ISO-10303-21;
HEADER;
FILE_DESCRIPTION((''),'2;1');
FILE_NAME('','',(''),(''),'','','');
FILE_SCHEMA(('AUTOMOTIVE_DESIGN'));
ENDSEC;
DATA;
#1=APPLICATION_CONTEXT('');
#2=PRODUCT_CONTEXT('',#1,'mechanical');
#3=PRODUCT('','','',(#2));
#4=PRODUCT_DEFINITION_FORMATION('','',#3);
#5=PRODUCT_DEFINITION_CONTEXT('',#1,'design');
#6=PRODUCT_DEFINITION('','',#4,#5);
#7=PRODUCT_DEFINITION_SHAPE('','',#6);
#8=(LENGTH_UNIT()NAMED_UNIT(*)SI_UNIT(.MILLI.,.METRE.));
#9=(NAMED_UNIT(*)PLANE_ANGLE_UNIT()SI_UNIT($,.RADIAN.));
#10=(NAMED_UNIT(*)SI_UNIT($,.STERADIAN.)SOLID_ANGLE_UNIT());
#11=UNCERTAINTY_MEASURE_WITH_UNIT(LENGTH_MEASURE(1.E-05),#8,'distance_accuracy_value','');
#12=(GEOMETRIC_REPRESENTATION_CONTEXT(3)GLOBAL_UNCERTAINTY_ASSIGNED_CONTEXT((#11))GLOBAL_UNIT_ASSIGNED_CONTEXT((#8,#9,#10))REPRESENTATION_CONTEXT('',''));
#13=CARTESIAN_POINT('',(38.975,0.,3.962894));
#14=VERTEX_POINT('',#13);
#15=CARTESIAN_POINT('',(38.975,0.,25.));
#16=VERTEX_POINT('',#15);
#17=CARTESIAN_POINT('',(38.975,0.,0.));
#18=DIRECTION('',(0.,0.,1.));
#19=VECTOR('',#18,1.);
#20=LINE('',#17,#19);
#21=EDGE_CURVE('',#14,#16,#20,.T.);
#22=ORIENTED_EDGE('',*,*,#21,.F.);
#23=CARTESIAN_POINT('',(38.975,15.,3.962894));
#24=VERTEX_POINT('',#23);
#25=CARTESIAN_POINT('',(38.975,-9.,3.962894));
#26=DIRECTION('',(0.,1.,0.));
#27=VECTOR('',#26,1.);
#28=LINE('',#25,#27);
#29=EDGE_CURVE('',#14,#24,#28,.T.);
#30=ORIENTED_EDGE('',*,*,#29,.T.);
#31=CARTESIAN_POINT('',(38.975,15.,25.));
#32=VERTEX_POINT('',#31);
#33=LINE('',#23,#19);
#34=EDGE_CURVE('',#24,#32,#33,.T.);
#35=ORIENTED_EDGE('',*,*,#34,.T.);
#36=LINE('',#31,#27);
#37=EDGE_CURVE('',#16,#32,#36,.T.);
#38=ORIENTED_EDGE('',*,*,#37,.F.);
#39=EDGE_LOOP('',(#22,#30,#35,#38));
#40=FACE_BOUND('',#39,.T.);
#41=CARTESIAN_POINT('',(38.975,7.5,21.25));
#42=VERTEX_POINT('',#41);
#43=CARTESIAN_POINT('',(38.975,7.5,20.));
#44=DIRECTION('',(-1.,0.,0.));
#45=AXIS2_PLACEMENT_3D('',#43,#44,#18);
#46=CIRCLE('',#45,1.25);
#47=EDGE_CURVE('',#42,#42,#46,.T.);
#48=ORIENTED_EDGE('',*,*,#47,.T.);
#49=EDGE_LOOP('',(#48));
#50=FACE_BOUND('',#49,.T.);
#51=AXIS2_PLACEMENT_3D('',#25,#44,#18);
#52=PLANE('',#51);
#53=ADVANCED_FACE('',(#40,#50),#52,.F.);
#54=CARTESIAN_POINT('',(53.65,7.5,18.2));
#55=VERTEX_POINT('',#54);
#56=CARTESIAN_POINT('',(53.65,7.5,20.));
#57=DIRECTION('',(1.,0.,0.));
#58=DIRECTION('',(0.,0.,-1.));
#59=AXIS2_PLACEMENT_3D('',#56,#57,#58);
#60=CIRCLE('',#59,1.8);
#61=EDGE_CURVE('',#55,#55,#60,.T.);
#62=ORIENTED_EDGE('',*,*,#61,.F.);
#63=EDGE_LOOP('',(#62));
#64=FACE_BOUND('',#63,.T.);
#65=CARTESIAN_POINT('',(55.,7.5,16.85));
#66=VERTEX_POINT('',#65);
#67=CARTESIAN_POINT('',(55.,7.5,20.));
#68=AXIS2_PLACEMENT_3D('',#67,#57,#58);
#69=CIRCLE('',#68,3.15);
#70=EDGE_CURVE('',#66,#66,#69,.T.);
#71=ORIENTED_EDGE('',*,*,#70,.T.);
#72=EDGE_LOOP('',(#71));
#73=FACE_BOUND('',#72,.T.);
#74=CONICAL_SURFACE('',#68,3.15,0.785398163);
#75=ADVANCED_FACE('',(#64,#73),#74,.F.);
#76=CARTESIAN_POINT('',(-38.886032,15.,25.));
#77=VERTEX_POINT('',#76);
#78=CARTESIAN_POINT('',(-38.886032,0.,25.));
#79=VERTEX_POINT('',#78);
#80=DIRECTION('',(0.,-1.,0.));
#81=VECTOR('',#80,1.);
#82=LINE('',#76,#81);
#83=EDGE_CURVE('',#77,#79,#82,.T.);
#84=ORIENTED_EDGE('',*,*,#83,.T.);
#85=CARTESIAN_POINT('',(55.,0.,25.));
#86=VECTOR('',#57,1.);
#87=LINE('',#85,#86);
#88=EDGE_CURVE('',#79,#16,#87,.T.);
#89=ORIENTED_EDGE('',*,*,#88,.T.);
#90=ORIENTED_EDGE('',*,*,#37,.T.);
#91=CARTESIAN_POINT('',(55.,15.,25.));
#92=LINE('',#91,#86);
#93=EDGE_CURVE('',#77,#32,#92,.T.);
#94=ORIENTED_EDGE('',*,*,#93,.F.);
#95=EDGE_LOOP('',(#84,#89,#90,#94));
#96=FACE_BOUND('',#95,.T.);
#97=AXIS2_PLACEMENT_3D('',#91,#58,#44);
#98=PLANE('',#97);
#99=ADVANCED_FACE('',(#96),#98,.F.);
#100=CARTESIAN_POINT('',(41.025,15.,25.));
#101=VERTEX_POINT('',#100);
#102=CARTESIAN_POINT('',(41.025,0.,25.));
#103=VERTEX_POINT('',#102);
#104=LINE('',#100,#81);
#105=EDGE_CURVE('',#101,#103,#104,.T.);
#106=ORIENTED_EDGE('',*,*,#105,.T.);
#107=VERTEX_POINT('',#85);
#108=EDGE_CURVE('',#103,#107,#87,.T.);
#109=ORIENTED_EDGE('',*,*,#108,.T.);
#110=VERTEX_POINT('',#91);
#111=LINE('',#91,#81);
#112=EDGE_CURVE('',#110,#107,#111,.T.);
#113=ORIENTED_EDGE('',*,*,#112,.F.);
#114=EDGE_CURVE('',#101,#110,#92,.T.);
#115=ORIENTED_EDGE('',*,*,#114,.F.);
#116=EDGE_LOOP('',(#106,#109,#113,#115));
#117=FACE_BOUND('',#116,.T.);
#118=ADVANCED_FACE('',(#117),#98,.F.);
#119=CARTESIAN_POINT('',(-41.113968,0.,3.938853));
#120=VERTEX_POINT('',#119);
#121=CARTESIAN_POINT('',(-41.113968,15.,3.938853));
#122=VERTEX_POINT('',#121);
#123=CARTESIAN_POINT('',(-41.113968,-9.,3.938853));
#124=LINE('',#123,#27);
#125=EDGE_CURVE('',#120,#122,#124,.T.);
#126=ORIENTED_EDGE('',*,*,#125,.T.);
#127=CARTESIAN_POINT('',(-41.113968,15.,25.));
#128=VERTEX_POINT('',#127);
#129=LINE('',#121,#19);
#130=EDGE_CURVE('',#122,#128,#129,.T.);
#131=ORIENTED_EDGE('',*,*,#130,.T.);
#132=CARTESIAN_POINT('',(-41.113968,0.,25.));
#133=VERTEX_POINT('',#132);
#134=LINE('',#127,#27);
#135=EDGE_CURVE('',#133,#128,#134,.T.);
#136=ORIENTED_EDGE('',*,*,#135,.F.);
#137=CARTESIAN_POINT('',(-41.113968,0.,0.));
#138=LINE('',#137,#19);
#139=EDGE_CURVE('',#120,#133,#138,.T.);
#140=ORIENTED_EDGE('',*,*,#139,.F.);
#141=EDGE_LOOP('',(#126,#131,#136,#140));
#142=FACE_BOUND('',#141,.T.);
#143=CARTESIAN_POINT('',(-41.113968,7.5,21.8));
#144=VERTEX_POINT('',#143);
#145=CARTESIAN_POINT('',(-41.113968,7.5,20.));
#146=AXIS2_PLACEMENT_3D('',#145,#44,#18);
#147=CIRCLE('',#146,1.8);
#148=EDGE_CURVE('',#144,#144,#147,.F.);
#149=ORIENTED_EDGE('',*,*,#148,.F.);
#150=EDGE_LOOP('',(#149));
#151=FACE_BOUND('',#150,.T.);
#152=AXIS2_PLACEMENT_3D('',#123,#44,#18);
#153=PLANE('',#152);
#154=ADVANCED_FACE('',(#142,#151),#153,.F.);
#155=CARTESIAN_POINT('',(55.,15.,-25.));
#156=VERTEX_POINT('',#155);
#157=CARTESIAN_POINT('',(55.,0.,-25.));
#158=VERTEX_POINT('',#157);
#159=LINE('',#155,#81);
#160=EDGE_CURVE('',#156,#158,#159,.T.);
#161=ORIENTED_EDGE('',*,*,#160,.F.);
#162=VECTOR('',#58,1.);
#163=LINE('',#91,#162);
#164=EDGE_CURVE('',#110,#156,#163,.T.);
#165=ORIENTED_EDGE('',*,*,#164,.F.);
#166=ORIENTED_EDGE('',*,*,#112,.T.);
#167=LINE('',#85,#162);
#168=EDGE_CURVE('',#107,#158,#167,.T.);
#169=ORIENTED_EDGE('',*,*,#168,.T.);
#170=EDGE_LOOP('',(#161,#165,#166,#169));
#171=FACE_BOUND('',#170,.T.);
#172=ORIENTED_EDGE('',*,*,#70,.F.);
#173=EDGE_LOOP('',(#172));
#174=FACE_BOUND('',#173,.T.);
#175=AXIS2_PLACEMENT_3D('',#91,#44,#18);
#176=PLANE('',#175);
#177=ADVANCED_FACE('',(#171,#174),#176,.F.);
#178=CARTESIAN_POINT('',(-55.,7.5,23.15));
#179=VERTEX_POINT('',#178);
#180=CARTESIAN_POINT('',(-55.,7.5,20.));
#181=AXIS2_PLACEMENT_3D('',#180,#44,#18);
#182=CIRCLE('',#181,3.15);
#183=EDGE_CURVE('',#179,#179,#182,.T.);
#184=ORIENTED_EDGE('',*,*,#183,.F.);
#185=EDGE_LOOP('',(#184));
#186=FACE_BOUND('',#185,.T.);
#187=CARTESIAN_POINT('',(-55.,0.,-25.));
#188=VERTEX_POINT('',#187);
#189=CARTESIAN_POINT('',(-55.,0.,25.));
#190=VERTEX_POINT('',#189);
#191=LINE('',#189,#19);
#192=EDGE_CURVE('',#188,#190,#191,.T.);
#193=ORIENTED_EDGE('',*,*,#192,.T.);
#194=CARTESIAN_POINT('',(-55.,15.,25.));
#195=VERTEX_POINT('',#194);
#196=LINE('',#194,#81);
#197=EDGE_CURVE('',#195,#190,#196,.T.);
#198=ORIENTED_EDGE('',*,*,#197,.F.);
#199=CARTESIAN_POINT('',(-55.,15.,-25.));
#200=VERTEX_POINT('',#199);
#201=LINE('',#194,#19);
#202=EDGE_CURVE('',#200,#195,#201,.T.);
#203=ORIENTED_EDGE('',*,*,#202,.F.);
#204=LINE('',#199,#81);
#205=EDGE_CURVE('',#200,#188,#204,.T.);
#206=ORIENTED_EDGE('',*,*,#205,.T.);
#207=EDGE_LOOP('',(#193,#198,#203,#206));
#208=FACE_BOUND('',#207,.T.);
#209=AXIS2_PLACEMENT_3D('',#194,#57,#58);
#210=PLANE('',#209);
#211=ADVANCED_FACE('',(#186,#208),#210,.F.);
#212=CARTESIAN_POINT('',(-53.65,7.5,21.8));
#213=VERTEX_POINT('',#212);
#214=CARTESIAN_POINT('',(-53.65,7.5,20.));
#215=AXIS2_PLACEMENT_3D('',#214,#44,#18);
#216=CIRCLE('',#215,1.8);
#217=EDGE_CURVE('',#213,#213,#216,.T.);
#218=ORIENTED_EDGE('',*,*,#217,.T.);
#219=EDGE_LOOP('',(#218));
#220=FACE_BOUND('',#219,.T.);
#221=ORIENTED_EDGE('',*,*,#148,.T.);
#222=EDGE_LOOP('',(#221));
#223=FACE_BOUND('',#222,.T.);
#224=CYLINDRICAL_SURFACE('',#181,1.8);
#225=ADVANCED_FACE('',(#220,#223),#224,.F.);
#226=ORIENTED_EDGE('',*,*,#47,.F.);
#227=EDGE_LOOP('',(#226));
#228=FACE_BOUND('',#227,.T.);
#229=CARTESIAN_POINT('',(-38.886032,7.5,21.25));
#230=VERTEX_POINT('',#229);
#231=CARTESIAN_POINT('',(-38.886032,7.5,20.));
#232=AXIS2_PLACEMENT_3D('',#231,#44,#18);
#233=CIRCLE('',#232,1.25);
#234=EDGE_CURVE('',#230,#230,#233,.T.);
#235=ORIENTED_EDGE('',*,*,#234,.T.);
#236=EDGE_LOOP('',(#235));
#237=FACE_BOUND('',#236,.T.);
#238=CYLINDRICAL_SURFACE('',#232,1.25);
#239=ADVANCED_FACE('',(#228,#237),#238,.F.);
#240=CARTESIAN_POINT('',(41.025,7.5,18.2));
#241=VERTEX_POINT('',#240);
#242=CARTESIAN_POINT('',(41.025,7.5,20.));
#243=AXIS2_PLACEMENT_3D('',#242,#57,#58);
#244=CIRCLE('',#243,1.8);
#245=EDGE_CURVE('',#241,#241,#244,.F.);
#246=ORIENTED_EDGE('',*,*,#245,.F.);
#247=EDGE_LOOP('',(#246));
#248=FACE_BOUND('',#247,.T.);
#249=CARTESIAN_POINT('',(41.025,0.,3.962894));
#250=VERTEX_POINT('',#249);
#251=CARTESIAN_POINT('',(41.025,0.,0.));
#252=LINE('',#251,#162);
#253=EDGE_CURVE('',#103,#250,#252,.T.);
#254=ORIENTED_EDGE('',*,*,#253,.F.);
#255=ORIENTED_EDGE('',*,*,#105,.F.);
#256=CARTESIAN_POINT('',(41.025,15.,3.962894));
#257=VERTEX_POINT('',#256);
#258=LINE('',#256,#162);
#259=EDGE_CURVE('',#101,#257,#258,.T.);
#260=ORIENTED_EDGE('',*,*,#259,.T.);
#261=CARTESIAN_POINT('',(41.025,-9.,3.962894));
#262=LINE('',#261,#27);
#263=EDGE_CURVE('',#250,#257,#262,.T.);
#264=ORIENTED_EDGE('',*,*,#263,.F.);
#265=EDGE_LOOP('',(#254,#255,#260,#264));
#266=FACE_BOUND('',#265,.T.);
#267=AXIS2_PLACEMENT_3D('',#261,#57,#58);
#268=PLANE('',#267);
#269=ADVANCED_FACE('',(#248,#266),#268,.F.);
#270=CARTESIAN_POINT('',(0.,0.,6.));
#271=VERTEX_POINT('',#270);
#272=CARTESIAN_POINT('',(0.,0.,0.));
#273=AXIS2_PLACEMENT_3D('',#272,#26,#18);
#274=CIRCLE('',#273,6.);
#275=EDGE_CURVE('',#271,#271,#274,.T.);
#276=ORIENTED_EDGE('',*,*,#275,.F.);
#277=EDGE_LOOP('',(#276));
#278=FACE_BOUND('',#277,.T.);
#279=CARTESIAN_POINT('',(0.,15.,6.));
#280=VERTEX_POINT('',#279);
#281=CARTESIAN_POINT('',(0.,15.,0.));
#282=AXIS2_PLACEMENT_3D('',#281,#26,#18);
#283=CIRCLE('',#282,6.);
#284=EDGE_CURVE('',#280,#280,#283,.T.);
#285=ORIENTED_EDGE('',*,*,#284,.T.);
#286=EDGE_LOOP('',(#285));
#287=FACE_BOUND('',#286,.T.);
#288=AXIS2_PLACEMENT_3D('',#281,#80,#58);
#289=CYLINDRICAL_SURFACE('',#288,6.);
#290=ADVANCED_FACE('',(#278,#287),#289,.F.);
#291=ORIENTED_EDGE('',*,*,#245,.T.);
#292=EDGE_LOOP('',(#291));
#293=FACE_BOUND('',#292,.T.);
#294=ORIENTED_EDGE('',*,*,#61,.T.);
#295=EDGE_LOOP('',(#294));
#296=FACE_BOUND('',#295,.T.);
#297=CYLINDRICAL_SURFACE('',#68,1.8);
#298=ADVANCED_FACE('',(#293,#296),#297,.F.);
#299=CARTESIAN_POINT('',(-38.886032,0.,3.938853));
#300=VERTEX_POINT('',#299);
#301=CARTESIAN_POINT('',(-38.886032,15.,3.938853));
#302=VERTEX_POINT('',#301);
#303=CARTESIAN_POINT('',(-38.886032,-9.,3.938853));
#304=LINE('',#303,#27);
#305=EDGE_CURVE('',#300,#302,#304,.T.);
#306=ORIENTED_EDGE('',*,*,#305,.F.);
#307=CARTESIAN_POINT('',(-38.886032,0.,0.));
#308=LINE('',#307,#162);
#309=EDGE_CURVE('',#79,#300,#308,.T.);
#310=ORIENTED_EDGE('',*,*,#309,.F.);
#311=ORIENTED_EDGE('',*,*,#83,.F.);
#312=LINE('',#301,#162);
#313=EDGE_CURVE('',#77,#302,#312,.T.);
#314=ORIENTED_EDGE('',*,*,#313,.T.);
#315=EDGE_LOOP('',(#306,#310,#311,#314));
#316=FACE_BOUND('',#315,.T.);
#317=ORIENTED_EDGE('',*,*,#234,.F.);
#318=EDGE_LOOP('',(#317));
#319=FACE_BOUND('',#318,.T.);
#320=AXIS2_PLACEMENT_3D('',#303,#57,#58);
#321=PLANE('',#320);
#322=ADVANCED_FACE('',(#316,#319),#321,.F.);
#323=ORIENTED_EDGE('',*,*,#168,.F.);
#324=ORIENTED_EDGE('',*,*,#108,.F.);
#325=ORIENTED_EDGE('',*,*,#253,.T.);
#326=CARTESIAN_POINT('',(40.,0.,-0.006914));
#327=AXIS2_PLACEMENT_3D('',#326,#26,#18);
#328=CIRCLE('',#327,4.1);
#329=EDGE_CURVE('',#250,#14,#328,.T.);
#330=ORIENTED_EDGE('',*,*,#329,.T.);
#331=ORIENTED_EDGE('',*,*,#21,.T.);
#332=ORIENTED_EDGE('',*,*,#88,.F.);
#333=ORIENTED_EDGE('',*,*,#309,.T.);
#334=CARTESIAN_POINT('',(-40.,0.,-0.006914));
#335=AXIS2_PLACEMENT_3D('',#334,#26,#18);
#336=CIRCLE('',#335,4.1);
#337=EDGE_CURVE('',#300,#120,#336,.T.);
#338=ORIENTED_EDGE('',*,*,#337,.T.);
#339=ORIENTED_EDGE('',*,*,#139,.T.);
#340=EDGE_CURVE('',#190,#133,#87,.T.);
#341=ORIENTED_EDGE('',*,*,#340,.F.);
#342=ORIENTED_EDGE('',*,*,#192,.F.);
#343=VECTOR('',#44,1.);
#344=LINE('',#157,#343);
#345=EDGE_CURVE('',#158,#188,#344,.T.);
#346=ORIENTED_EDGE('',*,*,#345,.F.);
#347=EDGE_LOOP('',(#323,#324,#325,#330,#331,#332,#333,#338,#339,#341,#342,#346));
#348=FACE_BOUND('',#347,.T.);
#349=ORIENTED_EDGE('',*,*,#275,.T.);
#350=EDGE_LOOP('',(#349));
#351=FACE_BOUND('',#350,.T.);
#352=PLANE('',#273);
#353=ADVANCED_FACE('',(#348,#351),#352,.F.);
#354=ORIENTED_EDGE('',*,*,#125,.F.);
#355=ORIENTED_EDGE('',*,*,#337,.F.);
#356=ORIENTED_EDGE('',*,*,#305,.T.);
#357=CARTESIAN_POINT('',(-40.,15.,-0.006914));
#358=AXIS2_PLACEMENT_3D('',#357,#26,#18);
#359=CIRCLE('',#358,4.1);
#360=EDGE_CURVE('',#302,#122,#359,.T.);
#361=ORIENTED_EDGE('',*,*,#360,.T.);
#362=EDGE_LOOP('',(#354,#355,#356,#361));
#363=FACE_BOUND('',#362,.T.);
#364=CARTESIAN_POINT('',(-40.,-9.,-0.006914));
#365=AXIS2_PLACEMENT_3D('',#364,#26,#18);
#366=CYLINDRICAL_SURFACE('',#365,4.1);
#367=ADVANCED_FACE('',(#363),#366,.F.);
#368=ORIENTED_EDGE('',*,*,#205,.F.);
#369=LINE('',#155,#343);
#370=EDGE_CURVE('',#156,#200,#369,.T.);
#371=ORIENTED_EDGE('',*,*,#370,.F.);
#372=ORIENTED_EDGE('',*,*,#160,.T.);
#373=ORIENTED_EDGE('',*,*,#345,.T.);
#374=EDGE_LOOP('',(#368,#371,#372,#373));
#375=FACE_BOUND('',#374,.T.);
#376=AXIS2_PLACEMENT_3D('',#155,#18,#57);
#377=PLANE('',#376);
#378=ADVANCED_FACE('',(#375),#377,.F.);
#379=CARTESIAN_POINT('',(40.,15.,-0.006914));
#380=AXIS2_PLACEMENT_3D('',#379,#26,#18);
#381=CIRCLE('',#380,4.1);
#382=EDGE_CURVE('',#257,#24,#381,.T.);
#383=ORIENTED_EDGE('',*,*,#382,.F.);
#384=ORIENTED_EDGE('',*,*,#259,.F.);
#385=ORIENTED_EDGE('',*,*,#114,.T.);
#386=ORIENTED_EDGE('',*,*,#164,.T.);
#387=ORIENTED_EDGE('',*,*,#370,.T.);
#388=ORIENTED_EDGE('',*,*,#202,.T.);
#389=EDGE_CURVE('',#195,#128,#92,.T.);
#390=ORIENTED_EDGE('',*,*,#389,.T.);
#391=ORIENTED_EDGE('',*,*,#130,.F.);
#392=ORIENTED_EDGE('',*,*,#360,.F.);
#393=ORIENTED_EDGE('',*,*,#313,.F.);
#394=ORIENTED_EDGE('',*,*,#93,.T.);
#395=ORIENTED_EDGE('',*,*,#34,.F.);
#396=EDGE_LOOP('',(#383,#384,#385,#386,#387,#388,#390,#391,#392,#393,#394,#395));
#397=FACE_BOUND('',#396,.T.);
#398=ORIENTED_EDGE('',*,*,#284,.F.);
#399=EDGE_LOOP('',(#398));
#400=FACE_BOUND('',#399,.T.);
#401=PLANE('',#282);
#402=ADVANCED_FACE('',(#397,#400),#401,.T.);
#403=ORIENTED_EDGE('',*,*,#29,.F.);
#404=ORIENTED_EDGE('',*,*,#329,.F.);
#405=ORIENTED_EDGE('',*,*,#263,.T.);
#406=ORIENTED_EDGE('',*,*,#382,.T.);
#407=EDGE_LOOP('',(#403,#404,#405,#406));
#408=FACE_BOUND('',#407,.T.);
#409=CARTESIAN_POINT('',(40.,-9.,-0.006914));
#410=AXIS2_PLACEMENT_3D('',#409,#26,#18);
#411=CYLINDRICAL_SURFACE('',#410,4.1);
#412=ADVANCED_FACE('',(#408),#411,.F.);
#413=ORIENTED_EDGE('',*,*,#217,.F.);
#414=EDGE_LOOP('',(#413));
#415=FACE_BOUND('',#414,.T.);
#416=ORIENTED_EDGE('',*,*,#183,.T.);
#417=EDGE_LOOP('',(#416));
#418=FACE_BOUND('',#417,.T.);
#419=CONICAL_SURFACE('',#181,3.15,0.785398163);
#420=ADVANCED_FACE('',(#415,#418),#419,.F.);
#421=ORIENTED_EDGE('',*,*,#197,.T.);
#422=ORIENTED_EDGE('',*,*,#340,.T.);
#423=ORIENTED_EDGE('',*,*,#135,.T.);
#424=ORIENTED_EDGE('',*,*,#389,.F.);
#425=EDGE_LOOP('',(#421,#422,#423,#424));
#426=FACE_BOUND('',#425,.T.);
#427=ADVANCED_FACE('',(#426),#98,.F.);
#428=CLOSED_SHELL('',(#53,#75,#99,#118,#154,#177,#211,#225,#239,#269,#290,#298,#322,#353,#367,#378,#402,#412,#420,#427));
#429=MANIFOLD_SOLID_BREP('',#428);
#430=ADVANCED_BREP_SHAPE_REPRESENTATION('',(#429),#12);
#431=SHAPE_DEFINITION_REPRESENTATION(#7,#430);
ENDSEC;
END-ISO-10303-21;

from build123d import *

# Parameters (mm, degrees)
SKETCH1_W                                       = 110
SKETCH1_H                                       = 50
SKETCH1_R                                       = 6
BOSS_EXTRUDE2_DEPTH                             = 15
CUT_EXTRUDE1_DEPTH                              = 24
CSK_FOR_M3_FLAT_HEAD_MACHINE_SCREW1_D           = 3.6
CSK_FOR_M3_FLAT_HEAD_MACHINE_SCREW1_DEPTH       = 13.886032024
CSK_FOR_M3_FLAT_HEAD_MACHINE_SCREW1_CSINK_D     = 6.3
CSK_FOR_M3_FLAT_HEAD_MACHINE_SCREW1_CSINK_ANGLE = 90
CSK_FOR_M3_FLAT_HEAD_MACHINE_SCREW1_TIP         = 1.081549114
CSK_FOR_M3_FLAT_HEAD_MACHINE_SCREW2_D           = 3.6
CSK_FOR_M3_FLAT_HEAD_MACHINE_SCREW2_DEPTH       = 13.975
CSK_FOR_M3_FLAT_HEAD_MACHINE_SCREW2_CSINK_D     = 6.3
CSK_FOR_M3_FLAT_HEAD_MACHINE_SCREW2_CSINK_ANGLE = 90
CSK_FOR_M3_FLAT_HEAD_MACHINE_SCREW2_TIP         = 1.081549114
TAP_DRILL_FOR_M3X0_5_TAP1_D                     = 2.5


with BuildPart() as part:
    # Sketch1 → Boss-Extrude2 (new body)
    with BuildSketch(Plane(origin=(0, 0, 0), x_dir=(1, 0, 0), z_dir=(0, 1, 0))):
        Rectangle(SKETCH1_W, SKETCH1_H)
        Circle(SKETCH1_R, mode=Mode.SUBTRACT)
    extrude(amount=BOSS_EXTRUDE2_DEPTH)

    # Sketch2 → Cut-Extrude1 (cut)
    with BuildSketch(Plane(origin=(0, 15, 0), x_dir=(1, 0, 0), z_dir=(0, 1, 0))):
        with BuildLine():
            Line((-41.113967976, -25), (-38.886032024, -25))
            Line((-38.886032024, -25), (-38.886032024, -3.938852881))
            ThreePointArc((-38.886032024, -3.938852881), (-40, 4.106913882), (-41.113967976, -3.938852881))
            Line((-41.113967976, -3.938852881), (-41.113967976, -25))
        make_face()
        with BuildLine():
            Line((38.975, -25), (41.025, -25))
            Line((41.025, -25), (41.025, -3.962894048))
            ThreePointArc((41.025, -3.962894048), (40, 4.106913882), (38.975, -3.962894048))
            Line((38.975, -3.962894048), (38.975, -25))
        make_face()
    extrude(amount=-CUT_EXTRUDE1_DEPTH, mode=Mode.SUBTRACT)

    # CSK for M3 Flat Head Machine Screw1
    with Locations(Plane.ZY.offset(55)):
        with Locations((20, 7.5)):
            CounterSinkHole(CSK_FOR_M3_FLAT_HEAD_MACHINE_SCREW1_D / 2, CSK_FOR_M3_FLAT_HEAD_MACHINE_SCREW1_CSINK_D / 2, depth=CSK_FOR_M3_FLAT_HEAD_MACHINE_SCREW1_DEPTH, counter_sink_angle=CSK_FOR_M3_FLAT_HEAD_MACHINE_SCREW1_CSINK_ANGLE)
            with Locations((0, 0, -(CSK_FOR_M3_FLAT_HEAD_MACHINE_SCREW1_DEPTH + CSK_FOR_M3_FLAT_HEAD_MACHINE_SCREW1_TIP / 2))):  # 118° drill point
                Cone(0, CSK_FOR_M3_FLAT_HEAD_MACHINE_SCREW1_D / 2, CSK_FOR_M3_FLAT_HEAD_MACHINE_SCREW1_TIP, mode=Mode.SUBTRACT)

    # CSK for M3 Flat Head Machine Screw2
    with Locations(Plane(origin=(55, 0, 0), x_dir=(0, 0, -1), z_dir=(1, 0, 0))):
        with Locations((-20, 7.5)):
            CounterSinkHole(CSK_FOR_M3_FLAT_HEAD_MACHINE_SCREW2_D / 2, CSK_FOR_M3_FLAT_HEAD_MACHINE_SCREW2_CSINK_D / 2, depth=CSK_FOR_M3_FLAT_HEAD_MACHINE_SCREW2_DEPTH, counter_sink_angle=CSK_FOR_M3_FLAT_HEAD_MACHINE_SCREW2_CSINK_ANGLE)
            with Locations((0, 0, -(CSK_FOR_M3_FLAT_HEAD_MACHINE_SCREW2_DEPTH + CSK_FOR_M3_FLAT_HEAD_MACHINE_SCREW2_TIP / 2))):  # 118° drill point
                Cone(0, CSK_FOR_M3_FLAT_HEAD_MACHINE_SCREW2_D / 2, CSK_FOR_M3_FLAT_HEAD_MACHINE_SCREW2_TIP, mode=Mode.SUBTRACT)

    # Tap Drill for M3x0.5 Tap1 (through all)
    with Locations(Plane.ZY.offset(38.886032024)):
        with Locations((20, 7.5)):
            Hole(TAP_DRILL_FOR_M3X0_5_TAP1_D / 2)


solid = part.part
